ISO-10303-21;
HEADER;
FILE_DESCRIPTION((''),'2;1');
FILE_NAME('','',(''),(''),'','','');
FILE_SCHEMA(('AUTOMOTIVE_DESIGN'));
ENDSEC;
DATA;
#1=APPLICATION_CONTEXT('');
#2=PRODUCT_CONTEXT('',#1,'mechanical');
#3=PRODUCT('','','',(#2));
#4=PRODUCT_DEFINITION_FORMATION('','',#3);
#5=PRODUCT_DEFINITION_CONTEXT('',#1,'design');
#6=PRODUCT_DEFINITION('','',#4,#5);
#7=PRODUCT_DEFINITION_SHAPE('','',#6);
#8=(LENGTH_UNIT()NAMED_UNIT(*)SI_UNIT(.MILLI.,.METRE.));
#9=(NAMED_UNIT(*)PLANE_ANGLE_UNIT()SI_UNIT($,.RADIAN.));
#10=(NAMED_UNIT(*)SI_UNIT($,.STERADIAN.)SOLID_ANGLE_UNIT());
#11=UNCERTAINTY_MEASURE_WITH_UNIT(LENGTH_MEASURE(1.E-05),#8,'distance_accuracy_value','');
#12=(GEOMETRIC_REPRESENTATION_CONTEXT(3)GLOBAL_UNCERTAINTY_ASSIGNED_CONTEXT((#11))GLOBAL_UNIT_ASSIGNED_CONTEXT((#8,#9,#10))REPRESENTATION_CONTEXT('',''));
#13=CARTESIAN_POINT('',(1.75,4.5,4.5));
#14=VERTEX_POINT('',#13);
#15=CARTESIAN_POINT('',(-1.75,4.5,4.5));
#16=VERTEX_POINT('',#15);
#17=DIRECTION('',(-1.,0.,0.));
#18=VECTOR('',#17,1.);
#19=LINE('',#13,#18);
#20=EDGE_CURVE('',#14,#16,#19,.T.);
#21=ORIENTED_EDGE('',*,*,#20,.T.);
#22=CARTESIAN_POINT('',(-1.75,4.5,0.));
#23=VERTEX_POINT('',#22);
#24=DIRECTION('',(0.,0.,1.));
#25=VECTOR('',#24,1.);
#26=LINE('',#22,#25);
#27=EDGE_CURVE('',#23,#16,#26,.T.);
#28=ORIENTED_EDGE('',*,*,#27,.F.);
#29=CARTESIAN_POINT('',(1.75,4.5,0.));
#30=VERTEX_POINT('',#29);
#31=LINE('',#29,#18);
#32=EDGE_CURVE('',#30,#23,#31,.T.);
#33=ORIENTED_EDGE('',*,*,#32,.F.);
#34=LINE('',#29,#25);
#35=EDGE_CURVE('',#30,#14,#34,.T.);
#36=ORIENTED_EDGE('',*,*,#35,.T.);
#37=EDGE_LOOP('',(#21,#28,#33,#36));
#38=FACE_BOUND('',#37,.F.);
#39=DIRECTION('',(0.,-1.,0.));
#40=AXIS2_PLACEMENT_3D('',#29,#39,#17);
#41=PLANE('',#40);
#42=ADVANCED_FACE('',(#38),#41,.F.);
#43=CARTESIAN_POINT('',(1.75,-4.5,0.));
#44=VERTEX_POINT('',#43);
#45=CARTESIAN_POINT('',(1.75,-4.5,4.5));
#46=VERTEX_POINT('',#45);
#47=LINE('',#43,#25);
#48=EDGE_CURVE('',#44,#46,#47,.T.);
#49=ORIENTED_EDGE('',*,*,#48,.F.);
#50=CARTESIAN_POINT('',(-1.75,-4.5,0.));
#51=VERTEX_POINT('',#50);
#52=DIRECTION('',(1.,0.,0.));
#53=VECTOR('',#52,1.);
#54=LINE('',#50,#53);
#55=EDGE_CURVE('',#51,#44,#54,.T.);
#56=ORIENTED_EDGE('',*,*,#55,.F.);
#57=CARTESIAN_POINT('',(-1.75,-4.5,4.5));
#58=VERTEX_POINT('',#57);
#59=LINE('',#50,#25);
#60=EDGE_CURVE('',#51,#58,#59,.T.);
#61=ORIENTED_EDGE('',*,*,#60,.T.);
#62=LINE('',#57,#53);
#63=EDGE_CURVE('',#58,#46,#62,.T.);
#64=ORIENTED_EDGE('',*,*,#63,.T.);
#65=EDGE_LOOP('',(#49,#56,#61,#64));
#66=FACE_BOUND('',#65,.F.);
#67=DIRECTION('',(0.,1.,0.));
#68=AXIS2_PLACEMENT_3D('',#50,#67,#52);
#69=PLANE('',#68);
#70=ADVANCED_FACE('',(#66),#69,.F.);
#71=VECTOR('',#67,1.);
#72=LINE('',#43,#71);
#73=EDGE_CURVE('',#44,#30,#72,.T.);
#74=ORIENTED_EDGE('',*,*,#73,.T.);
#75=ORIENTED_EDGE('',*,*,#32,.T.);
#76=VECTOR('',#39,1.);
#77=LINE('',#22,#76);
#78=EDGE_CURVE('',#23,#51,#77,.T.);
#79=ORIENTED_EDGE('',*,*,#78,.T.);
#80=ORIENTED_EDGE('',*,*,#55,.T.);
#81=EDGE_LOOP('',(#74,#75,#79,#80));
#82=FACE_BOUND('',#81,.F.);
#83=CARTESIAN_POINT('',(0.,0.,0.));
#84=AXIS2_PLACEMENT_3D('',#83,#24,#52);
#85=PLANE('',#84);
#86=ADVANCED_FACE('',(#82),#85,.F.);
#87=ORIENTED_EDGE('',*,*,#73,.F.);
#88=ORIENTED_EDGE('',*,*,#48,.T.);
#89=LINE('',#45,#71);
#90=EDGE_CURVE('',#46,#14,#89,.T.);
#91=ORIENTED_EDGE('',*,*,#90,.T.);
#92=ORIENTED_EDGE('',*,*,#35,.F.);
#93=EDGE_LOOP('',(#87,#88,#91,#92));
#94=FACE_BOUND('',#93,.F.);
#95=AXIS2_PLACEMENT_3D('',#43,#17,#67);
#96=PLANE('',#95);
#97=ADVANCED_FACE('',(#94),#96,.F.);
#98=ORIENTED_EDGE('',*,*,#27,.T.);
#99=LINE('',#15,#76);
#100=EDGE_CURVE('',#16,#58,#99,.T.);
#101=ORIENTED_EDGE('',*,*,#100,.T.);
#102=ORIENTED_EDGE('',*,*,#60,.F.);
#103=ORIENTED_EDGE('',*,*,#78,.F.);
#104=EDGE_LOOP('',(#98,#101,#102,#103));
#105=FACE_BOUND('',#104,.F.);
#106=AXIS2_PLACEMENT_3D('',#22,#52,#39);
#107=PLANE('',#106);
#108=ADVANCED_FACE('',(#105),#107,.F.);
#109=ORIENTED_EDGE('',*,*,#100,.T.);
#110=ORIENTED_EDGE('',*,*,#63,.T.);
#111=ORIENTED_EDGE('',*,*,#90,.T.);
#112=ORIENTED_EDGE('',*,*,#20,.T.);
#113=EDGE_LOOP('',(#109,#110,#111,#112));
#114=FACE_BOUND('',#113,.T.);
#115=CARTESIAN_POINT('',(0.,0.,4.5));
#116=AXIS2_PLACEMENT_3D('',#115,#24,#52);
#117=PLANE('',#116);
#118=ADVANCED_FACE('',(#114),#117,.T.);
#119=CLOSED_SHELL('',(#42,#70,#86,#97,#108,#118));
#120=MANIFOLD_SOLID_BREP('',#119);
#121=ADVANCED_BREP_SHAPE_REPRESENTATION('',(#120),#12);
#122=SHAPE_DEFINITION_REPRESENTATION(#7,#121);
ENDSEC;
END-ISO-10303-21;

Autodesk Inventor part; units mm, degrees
ref_plane "YZ Plane" through (0, 0, 0) normal (1, 0, 0) x (0, 1, 0)
ref_plane "XZ Plane" through (0, 0, 0) normal (0, 1, 0) x (-1, 0, 0)
ref_plane "XY Plane" through (0, 0, 0) normal (0, 0, 1) x (1, 0, 0)
sketch "Sketch1" plane through (0, 0, 0) normal (0, 0, 1) x (1, 0, 0)
  line L0 (-1.75, -4.5) -> (1.75, -4.5)
  line L1 (1.75, -4.5) -> (1.75, 4.5)
  line L2 (1.75, 4.5) -> (-1.75, 4.5)
  line L3 (-1.75, 4.5) -> (-1.75, -4.5)
  line L4 (-1.75, -4.5) -> (1.75, 4.5) construction
  line L5 (1.75, -4.5) -> (-1.75, 4.5) construction
  point P0 (0, 0)
  dimension "d0" = 3.5
  dimension "d1" = 9
extrude "Extrusion1" add sketch "Sketch1" along normal blind 4.5
ref_plane "Work Plane1" through (-1.75, -4.5, 0) normal (0, -1, 0) x (1, 0, 0)
ref_plane "Work Plane2" through (0, 0, 2.25) normal (0, 0, 1) x (1, 0, 0)
properties part number "PZT"
